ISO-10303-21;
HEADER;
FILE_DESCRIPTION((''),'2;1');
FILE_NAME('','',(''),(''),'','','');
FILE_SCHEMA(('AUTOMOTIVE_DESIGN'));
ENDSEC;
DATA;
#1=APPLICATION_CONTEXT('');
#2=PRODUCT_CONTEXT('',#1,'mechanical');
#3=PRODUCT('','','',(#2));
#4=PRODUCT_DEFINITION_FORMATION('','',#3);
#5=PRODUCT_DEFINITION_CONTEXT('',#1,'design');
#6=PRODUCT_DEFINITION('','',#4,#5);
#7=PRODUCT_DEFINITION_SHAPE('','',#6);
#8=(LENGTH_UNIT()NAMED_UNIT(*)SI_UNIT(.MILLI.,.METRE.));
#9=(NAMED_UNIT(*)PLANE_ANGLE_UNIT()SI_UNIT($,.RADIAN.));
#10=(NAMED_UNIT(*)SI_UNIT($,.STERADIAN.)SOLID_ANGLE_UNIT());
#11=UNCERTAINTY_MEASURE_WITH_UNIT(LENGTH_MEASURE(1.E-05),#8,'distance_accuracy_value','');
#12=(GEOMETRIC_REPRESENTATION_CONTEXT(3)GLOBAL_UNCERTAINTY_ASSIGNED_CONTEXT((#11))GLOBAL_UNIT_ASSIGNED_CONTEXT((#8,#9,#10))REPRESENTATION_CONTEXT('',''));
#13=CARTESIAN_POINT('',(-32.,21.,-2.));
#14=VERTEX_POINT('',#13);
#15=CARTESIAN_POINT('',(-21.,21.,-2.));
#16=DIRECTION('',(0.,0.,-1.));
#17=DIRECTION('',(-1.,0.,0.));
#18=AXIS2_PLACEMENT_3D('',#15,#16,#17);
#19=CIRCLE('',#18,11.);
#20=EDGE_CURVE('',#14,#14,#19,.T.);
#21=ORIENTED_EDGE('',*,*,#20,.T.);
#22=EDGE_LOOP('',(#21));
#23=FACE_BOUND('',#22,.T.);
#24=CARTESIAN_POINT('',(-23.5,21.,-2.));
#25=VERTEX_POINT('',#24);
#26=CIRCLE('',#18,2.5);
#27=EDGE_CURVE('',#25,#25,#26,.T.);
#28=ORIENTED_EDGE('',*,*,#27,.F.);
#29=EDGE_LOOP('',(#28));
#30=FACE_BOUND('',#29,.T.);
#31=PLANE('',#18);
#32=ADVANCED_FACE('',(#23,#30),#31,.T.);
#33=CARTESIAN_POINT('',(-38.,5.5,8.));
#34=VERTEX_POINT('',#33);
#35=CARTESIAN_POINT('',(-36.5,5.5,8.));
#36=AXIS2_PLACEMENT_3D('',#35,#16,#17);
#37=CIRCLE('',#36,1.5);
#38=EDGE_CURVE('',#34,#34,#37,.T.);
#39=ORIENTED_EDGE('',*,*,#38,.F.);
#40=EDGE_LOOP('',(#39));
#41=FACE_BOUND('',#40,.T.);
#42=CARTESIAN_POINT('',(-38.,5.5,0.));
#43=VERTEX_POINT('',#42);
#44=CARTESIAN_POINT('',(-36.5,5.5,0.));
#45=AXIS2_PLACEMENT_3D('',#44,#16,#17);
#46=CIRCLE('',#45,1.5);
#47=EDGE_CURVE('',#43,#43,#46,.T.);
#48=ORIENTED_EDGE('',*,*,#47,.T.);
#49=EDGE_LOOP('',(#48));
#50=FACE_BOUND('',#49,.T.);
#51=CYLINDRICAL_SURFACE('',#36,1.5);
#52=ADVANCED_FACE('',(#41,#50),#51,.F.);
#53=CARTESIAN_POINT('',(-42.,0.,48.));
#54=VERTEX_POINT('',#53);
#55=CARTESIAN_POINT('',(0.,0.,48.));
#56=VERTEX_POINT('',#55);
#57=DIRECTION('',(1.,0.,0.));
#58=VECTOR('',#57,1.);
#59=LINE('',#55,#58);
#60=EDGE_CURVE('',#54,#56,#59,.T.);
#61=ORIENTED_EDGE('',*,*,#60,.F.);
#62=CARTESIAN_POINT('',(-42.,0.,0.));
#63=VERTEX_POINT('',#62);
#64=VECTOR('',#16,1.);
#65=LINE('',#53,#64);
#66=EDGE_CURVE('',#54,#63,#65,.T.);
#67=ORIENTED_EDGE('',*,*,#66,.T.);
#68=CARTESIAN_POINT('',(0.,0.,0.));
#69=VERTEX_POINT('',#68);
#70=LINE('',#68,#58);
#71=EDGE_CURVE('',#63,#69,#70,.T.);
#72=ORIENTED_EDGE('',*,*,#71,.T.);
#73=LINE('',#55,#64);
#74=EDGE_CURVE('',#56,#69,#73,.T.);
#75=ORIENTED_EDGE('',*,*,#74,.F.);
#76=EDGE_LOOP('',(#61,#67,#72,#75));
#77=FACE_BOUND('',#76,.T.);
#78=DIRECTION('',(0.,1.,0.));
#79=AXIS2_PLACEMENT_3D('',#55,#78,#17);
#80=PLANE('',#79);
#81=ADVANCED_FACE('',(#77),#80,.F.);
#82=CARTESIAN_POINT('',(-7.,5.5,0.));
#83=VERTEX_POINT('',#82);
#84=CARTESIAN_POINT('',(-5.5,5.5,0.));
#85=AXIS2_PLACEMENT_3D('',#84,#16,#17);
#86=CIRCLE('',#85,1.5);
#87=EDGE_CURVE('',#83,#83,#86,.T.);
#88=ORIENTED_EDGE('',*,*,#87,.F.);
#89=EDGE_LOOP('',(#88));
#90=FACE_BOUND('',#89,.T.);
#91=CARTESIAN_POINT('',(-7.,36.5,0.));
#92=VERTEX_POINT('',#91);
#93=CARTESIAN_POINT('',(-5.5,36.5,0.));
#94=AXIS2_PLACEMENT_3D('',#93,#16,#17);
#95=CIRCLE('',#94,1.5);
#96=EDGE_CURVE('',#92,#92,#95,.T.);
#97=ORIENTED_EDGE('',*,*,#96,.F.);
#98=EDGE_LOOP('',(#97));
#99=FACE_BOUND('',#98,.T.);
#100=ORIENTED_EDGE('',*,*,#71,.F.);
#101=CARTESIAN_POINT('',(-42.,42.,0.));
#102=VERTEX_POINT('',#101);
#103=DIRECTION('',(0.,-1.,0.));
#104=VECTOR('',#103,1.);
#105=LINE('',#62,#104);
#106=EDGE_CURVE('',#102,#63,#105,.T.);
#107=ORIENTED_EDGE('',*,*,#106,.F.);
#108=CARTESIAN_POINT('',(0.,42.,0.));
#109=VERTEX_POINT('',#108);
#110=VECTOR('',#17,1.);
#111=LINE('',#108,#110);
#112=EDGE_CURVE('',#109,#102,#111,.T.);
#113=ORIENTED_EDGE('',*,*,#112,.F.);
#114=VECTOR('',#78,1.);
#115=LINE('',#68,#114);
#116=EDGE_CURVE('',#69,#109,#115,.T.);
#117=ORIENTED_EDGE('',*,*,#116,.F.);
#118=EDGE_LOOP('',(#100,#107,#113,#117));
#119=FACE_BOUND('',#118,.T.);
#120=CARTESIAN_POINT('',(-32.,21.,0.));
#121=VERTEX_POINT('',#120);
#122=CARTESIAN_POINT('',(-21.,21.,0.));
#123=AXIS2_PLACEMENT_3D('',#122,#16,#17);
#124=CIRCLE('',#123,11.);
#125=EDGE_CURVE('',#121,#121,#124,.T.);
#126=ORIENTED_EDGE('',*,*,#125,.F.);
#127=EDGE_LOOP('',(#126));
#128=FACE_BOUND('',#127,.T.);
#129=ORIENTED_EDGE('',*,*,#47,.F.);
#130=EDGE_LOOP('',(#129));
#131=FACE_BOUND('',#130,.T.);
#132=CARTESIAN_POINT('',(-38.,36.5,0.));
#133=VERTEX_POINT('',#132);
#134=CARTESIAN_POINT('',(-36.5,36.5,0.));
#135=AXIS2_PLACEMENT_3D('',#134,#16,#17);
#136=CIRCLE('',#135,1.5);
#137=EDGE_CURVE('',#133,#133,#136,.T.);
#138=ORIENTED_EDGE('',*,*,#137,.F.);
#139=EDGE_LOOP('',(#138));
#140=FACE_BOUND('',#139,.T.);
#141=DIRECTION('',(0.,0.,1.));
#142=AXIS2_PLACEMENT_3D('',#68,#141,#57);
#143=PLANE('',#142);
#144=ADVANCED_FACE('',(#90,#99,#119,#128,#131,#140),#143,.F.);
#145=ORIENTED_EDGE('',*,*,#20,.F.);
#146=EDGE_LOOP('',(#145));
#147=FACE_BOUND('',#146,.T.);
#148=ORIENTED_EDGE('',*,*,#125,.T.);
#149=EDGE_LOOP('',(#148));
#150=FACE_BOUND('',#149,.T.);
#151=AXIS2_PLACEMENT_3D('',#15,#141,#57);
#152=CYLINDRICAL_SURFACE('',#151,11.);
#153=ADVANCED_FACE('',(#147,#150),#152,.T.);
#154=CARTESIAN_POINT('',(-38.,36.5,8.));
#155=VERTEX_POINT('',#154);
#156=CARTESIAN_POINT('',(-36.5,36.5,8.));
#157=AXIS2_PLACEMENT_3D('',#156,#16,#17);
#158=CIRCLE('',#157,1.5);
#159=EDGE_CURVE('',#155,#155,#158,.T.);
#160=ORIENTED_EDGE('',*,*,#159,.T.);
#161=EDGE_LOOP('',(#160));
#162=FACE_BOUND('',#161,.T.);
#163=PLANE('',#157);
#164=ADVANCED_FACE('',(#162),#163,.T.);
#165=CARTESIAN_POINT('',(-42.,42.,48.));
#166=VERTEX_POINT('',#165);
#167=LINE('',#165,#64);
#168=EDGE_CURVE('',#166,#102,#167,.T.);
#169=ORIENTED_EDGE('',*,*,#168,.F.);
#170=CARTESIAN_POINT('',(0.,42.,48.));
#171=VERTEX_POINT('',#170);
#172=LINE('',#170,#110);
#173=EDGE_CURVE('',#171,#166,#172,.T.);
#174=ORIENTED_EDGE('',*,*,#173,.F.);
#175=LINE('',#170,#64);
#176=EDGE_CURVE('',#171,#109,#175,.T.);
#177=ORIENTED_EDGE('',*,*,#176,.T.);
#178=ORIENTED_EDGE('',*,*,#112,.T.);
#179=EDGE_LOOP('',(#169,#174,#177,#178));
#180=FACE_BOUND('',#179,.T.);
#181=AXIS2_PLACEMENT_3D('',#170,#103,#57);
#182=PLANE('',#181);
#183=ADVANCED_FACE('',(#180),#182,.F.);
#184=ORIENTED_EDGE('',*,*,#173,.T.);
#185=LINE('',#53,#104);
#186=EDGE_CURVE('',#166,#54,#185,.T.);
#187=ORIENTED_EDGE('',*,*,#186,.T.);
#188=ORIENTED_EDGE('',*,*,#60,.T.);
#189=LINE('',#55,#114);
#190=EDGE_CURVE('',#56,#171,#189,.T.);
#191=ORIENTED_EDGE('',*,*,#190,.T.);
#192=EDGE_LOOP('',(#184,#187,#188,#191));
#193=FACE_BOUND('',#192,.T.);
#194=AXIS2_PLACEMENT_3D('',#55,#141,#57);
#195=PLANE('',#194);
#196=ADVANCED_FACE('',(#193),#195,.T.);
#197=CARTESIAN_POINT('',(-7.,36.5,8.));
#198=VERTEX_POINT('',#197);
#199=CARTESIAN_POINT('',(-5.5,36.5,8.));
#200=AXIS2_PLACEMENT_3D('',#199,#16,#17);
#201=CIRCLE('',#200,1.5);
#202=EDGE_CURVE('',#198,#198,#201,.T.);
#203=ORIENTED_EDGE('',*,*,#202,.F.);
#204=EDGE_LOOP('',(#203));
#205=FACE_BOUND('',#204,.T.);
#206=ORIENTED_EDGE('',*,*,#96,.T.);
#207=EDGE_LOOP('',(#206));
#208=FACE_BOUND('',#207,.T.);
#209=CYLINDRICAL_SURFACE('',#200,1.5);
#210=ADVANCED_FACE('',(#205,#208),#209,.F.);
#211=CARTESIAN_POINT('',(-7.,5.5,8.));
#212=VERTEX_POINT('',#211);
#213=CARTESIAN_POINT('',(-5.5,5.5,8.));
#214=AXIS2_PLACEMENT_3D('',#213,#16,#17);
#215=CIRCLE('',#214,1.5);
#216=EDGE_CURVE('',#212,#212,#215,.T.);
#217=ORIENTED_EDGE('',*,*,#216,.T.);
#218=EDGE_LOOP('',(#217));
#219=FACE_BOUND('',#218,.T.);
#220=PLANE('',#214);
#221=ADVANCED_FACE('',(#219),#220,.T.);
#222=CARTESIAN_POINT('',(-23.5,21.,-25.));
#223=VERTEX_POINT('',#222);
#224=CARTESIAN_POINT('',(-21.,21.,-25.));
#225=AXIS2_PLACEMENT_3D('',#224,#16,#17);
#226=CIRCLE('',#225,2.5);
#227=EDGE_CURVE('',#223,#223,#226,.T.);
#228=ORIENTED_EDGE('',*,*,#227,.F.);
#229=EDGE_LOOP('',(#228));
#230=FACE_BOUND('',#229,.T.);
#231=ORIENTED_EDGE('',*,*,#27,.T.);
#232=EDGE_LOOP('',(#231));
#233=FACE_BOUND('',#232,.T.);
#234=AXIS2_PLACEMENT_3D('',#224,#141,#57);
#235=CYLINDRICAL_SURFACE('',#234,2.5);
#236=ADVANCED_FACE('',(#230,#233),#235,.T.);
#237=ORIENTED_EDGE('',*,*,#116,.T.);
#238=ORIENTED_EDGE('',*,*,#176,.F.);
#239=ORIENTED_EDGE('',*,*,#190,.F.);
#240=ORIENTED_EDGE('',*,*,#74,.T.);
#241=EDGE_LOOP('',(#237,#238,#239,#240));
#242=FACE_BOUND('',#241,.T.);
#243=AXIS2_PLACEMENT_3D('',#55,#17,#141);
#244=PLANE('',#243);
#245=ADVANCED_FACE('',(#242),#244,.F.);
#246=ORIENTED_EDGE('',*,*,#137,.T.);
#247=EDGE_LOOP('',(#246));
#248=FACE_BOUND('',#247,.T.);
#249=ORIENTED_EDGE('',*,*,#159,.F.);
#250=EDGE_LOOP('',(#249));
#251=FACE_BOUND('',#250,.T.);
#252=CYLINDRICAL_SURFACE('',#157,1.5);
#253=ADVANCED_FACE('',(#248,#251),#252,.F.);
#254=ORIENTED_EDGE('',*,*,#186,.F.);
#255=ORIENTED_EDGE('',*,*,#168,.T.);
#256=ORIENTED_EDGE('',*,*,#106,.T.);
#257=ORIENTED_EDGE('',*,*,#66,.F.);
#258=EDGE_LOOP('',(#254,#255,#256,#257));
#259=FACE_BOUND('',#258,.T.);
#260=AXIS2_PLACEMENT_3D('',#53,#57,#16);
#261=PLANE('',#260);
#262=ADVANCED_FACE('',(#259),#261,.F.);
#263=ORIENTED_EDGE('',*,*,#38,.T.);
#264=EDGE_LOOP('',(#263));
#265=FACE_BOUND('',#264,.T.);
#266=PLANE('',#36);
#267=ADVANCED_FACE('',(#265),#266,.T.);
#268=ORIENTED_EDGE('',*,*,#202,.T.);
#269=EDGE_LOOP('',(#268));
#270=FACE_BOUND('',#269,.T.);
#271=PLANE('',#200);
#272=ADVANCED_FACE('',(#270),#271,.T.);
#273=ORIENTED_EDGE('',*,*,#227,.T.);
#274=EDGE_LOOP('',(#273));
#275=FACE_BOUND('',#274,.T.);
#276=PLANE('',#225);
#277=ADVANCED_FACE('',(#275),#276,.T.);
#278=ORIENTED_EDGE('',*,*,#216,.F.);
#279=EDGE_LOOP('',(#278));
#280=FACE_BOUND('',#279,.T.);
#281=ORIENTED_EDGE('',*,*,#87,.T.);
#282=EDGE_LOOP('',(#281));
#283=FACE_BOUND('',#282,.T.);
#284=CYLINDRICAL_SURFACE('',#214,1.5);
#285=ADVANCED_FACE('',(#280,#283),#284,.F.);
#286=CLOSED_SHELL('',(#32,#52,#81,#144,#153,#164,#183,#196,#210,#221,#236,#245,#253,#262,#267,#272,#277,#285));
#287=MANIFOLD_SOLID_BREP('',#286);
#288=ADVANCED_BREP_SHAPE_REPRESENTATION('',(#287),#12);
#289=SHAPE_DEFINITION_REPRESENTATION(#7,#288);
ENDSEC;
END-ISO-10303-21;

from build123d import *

# Parameters (mm, degrees)
SKETCH_1_W          = 42
SKETCH_1_H          = 42
EXTRUDE_1_DEPTH     = 48
SKETCH_3_R          = 11
EXTRUDE_2_DEPTH     = 2
SKETCH_4_R          = 2.5
EXTRUDE_3_DEPTH     = 23
SKETCH_5_R          = 1.5
CUT_EXTRUDE_1_DEPTH = 8


with BuildPart() as part:
    # 草图1 → 凸台-拉伸1 (new body)
    with BuildSketch(Plane.XY):
        with Locations((-21, 21)):
            Rectangle(SKETCH_1_W, SKETCH_1_H)
    extrude(amount=EXTRUDE_1_DEPTH)

    # 草图3 → 凸台-拉伸2 (add)
    with BuildSketch(Plane(origin=(0, 0, 0), x_dir=(-1, 0, 0), z_dir=(0, 0, -1))):
        with Locations((21, 21)):
            Circle(SKETCH_3_R)
    extrude(amount=EXTRUDE_2_DEPTH)

    # 草图4 → 凸台-拉伸3 (add)
    with BuildSketch(Plane(origin=(0, 0, -2), x_dir=(-1, 0, 0), z_dir=(0, 0, -1))):
        with Locations((21, 21)):
            Circle(SKETCH_4_R)
    extrude(amount=EXTRUDE_3_DEPTH)

    # 草图5 → 切除-拉伸1 (cut)
    with BuildSketch(Plane(origin=(0, 0, 0), x_dir=(-1, 0, 0), z_dir=(0, 0, -1))):
        with Locations((5.5, 5.5)):
            Circle(SKETCH_5_R)
        with Locations((36.5, 5.5)):
            Circle(SKETCH_5_R)
        with Locations((36.5, 36.5)):
            Circle(SKETCH_5_R)
        with Locations((5.5, 36.5)):
            Circle(SKETCH_5_R)
    extrude(amount=-CUT_EXTRUDE_1_DEPTH, mode=Mode.SUBTRACT)


solid = part.part
